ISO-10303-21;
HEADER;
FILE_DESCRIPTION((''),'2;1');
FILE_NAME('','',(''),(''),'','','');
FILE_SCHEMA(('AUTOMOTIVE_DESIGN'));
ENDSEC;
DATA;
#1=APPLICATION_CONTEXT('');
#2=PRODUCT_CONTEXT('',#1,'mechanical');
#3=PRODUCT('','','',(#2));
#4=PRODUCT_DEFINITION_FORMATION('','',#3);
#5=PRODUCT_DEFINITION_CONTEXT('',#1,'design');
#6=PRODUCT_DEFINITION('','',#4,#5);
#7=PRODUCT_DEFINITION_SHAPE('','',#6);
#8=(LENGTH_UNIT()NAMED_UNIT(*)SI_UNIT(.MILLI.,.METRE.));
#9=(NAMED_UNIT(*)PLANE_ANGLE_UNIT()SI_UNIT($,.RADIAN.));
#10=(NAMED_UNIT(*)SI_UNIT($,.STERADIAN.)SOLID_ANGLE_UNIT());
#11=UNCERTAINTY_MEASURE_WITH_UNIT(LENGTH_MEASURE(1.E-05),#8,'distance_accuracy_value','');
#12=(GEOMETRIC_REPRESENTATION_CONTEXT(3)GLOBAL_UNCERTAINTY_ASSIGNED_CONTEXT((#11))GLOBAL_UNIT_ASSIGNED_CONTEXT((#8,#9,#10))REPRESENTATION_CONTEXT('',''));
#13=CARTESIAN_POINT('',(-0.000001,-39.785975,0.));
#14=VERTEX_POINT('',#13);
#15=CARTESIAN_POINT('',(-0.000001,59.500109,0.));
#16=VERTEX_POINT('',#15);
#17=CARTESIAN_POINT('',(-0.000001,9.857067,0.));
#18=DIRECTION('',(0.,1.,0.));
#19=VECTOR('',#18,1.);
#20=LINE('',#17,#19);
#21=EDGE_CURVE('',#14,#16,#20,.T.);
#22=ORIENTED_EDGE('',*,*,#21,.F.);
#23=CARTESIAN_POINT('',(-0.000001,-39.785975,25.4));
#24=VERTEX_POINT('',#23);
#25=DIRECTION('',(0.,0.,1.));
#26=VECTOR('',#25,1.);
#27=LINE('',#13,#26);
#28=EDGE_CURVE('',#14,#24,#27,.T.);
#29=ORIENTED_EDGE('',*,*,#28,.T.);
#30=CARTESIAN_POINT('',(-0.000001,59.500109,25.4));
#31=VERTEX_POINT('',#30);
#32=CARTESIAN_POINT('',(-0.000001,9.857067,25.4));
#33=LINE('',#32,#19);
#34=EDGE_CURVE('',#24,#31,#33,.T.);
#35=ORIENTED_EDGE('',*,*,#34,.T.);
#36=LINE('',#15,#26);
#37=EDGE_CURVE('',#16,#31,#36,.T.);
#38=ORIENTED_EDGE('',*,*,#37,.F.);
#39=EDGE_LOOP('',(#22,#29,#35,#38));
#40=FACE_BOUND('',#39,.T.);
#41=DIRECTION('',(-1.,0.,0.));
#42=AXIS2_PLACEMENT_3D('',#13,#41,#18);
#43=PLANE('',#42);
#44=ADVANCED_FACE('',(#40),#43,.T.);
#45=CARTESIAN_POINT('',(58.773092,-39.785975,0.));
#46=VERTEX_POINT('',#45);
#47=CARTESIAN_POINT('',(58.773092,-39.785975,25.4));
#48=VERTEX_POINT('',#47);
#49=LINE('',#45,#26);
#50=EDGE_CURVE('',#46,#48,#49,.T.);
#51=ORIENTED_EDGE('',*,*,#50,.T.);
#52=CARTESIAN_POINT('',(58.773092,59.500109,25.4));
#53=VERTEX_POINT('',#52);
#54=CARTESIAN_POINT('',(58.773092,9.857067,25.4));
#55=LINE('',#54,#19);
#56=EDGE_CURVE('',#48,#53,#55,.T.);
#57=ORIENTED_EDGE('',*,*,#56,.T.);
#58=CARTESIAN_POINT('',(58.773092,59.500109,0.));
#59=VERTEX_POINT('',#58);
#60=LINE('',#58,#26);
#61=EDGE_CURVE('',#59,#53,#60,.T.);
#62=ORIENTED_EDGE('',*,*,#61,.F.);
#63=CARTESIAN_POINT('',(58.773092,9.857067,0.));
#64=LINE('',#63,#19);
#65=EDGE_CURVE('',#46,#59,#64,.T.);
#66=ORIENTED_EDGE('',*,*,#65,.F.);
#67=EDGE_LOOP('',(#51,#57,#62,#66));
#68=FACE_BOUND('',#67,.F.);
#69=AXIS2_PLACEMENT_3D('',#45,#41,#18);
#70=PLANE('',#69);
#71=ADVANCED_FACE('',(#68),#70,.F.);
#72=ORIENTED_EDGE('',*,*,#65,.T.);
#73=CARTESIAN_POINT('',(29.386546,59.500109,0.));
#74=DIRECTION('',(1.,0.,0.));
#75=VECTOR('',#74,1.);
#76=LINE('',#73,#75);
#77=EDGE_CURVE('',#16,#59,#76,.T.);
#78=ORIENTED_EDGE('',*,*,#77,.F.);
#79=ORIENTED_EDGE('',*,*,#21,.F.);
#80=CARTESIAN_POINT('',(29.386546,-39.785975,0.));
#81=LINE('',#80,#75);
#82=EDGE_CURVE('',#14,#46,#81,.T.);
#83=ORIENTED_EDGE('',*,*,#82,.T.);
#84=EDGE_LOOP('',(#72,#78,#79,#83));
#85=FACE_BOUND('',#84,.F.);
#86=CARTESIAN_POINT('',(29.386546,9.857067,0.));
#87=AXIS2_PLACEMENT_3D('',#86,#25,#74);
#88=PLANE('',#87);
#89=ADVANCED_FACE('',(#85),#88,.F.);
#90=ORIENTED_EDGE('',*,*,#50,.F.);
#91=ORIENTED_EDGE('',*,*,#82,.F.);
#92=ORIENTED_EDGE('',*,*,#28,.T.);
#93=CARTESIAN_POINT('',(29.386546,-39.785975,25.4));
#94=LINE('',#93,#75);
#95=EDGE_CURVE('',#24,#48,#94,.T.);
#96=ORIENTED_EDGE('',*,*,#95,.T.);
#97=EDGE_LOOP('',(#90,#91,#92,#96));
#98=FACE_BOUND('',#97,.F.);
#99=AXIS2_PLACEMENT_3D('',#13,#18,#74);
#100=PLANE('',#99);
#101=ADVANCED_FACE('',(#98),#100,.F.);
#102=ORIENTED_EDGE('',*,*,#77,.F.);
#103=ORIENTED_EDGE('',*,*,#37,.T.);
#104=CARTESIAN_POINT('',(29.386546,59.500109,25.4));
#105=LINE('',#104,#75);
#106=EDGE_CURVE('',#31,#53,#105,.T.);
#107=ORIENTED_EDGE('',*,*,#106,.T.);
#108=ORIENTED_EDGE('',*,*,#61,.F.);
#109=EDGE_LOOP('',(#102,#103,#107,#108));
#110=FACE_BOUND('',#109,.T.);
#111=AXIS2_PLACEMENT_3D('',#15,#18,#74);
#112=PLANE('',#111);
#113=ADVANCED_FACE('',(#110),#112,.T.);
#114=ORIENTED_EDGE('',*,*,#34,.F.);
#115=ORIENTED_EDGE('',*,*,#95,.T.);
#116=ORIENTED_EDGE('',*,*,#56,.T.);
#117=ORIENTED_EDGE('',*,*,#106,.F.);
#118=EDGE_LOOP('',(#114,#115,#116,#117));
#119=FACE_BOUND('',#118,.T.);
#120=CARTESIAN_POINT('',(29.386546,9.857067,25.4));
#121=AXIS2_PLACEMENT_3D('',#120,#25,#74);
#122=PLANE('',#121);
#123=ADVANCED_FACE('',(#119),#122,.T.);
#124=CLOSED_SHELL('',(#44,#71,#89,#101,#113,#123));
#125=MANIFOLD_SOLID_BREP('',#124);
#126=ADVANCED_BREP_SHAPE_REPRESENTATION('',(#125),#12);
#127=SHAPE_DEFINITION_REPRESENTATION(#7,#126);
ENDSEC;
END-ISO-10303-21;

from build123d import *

# Parameters (mm, degrees)
F1_W     = 58.773093
F1_H     = 99.286083
F3_DEPTH = 25.4
F4_W     = 42.263355
F4_H     = 81.185479
F5_DEPTH = 127
F2_W     = 58.773093
F2_H     = 99.286083
F6_DEPTH = 25.4


with BuildPart() as f3:
    # F1 (on face) → F3 (new body)
    with BuildSketch(Plane.XY):
        with Locations((29.386546, 9.857067)):
            Rectangle(F1_W, F1_H)
    extrude(amount=F3_DEPTH)

    # F4 (on face) → F5 (cut)
    with BuildSketch(Plane.XY):
        with Locations((25.919133, 11.294613)):
            Rectangle(F4_W, F4_H)
    extrude(amount=-F5_DEPTH, mode=Mode.SUBTRACT)

    # F2 (on face) → F6 (cut)
    with BuildSketch(Plane.XY):
        with Locations((29.386546, 9.857067)):
            Rectangle(F2_W, F2_H)
    extrude(amount=-F6_DEPTH, mode=Mode.SUBTRACT)


solid = f3.part
